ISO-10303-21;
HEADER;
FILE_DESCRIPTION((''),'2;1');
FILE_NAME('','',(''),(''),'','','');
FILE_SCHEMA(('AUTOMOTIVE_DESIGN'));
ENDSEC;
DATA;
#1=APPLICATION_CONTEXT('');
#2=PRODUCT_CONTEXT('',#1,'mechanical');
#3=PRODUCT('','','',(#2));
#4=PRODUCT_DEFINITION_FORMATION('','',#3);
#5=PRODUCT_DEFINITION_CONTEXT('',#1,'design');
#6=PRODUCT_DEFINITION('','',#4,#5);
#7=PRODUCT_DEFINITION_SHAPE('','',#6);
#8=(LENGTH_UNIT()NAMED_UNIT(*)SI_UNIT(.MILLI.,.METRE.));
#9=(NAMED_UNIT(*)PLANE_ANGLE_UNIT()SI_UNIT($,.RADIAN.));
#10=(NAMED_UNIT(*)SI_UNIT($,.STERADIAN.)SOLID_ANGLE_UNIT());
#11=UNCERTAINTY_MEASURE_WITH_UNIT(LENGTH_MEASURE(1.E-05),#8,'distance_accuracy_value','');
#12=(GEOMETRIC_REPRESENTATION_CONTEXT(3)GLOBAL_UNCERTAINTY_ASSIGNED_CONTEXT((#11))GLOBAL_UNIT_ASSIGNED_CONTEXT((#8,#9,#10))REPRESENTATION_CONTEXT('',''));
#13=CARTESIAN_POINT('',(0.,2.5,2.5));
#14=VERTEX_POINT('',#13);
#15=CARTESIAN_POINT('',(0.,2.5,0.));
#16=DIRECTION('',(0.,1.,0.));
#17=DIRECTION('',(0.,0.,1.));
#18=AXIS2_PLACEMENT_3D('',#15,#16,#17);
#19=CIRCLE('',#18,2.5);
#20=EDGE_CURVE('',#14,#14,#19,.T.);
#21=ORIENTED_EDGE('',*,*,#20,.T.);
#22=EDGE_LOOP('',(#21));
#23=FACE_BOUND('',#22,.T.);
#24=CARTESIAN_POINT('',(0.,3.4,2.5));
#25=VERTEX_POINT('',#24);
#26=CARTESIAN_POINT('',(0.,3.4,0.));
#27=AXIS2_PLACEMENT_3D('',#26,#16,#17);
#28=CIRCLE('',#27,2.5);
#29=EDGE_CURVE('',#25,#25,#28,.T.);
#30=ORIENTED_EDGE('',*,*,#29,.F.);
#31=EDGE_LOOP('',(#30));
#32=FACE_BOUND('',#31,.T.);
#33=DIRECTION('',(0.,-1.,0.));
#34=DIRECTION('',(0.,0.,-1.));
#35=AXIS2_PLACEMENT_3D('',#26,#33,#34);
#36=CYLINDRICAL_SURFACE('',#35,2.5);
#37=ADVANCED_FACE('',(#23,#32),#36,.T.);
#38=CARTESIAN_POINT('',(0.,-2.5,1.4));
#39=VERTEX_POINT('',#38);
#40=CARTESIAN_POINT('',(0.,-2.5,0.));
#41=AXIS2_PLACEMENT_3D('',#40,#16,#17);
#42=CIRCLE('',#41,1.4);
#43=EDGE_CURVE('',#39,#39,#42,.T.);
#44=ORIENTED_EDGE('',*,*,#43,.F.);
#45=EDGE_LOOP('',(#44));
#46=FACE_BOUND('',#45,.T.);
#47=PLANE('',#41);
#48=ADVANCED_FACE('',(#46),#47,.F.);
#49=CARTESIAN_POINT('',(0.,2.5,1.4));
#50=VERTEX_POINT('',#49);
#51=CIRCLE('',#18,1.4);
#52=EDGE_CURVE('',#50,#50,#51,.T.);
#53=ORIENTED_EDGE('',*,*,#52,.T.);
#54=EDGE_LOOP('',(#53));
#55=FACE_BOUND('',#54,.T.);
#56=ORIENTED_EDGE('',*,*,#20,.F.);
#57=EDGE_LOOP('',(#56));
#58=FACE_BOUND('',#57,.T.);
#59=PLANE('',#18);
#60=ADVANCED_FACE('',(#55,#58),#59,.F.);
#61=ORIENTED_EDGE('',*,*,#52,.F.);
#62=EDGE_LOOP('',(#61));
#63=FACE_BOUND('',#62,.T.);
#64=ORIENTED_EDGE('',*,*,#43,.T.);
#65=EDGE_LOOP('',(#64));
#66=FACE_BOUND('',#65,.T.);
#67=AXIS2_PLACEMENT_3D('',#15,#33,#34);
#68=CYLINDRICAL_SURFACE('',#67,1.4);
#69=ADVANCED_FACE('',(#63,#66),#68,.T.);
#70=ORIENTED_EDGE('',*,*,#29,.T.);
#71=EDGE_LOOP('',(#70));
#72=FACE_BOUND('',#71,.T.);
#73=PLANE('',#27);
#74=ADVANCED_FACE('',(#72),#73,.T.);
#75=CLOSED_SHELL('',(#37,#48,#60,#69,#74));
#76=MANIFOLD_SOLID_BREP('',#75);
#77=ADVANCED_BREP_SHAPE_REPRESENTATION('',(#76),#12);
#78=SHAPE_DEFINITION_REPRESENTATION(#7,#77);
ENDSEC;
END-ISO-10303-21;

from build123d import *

# Parameters (mm, degrees)
SKETCH1_R           = 1.4
BOSS_EXTRUDE1_DEPTH = 2.5
SKETCH2_R           = 2.5
BOSS_EXTRUDE2_DEPTH = 0.9


with BuildPart() as part:
    # Sketch1 → Boss-Extrude1 (new, symmetric)
    with BuildSketch(Plane(origin=(0, 0, 0), x_dir=(1, 0, 0), z_dir=(0, 1, 0))):
        with Locations(Location((0, 0, 0), (0, 0, 270))):
            Circle(SKETCH1_R)
    extrude(amount=BOSS_EXTRUDE1_DEPTH, both=True)

    # Sketch2 → Boss-Extrude2 (add)
    with BuildSketch(Plane(origin=(0, 2.5, 0), x_dir=(1, 0, 0), z_dir=(0, 1, 0))):
        with Locations(Location((0, 0, 0), (0, 0, 270))):
            Circle(SKETCH2_R)
    extrude(amount=BOSS_EXTRUDE2_DEPTH)


solid = part.part
